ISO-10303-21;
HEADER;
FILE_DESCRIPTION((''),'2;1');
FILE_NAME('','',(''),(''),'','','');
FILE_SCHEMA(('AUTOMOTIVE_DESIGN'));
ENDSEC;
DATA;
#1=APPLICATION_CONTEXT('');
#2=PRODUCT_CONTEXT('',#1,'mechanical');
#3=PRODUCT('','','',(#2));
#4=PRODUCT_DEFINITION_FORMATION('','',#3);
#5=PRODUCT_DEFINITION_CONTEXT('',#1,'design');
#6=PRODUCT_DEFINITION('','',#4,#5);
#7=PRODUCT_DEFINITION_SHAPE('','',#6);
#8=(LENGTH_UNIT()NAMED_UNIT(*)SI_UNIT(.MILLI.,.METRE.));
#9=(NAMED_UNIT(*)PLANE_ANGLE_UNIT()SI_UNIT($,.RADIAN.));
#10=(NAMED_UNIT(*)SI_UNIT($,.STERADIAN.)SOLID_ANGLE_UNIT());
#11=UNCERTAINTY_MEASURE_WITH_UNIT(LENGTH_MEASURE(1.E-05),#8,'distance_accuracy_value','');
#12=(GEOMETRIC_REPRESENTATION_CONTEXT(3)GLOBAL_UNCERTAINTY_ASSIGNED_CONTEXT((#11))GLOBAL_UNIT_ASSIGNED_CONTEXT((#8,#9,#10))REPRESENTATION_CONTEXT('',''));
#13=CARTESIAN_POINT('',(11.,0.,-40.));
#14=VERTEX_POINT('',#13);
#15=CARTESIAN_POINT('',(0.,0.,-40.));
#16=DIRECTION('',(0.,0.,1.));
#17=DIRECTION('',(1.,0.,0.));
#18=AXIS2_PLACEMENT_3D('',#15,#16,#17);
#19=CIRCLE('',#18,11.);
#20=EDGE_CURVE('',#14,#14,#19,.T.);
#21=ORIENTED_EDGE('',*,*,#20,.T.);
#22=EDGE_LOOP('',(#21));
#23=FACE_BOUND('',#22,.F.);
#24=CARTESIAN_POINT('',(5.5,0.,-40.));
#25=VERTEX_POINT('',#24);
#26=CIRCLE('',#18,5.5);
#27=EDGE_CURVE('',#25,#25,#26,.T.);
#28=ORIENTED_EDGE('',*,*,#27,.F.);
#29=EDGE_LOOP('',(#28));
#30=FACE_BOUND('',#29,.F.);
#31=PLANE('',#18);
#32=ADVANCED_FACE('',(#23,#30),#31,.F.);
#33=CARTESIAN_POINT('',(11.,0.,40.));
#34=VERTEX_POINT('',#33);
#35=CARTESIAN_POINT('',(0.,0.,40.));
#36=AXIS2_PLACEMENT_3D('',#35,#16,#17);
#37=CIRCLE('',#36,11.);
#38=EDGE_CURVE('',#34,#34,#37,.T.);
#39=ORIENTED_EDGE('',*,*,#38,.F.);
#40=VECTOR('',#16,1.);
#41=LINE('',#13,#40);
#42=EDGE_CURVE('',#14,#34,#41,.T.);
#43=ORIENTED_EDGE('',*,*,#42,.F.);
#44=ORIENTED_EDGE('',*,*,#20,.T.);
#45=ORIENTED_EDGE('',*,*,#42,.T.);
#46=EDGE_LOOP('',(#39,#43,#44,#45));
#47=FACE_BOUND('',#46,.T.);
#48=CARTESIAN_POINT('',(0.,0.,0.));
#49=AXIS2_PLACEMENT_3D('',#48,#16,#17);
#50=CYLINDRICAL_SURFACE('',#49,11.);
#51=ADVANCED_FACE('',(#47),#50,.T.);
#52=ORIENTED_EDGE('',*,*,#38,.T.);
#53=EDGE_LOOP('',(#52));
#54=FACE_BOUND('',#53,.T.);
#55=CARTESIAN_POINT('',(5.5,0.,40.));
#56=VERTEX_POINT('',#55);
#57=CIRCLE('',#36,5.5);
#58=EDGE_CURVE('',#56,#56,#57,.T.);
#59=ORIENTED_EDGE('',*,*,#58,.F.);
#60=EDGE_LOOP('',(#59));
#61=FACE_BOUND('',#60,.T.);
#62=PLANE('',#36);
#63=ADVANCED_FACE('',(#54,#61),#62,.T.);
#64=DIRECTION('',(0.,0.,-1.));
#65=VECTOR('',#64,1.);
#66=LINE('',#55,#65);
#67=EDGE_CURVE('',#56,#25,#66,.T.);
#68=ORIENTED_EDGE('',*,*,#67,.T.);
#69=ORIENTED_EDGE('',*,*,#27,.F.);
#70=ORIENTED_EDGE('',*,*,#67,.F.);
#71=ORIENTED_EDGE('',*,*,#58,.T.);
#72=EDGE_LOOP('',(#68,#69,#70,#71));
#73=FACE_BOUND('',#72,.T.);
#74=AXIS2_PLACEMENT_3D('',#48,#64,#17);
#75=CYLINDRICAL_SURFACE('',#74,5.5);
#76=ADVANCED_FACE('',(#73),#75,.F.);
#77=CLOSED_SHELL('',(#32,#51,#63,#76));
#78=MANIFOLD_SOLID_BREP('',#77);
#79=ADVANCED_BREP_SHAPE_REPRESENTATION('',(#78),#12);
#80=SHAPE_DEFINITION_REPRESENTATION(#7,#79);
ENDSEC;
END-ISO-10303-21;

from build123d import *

# Parameters (mm, degrees)
SKETCH1_R           = 11
SKETCH1_R_2         = 5.5
BOSS_EXTRUDE1_DEPTH = 40


with BuildPart() as part:
    # Sketch1 → Boss-Extrude1 (new body, symmetric)
    with BuildSketch(Plane.XY):
        Circle(SKETCH1_R)
        Circle(SKETCH1_R_2, mode=Mode.SUBTRACT)
    extrude(amount=BOSS_EXTRUDE1_DEPTH, both=True)


solid = part.part
